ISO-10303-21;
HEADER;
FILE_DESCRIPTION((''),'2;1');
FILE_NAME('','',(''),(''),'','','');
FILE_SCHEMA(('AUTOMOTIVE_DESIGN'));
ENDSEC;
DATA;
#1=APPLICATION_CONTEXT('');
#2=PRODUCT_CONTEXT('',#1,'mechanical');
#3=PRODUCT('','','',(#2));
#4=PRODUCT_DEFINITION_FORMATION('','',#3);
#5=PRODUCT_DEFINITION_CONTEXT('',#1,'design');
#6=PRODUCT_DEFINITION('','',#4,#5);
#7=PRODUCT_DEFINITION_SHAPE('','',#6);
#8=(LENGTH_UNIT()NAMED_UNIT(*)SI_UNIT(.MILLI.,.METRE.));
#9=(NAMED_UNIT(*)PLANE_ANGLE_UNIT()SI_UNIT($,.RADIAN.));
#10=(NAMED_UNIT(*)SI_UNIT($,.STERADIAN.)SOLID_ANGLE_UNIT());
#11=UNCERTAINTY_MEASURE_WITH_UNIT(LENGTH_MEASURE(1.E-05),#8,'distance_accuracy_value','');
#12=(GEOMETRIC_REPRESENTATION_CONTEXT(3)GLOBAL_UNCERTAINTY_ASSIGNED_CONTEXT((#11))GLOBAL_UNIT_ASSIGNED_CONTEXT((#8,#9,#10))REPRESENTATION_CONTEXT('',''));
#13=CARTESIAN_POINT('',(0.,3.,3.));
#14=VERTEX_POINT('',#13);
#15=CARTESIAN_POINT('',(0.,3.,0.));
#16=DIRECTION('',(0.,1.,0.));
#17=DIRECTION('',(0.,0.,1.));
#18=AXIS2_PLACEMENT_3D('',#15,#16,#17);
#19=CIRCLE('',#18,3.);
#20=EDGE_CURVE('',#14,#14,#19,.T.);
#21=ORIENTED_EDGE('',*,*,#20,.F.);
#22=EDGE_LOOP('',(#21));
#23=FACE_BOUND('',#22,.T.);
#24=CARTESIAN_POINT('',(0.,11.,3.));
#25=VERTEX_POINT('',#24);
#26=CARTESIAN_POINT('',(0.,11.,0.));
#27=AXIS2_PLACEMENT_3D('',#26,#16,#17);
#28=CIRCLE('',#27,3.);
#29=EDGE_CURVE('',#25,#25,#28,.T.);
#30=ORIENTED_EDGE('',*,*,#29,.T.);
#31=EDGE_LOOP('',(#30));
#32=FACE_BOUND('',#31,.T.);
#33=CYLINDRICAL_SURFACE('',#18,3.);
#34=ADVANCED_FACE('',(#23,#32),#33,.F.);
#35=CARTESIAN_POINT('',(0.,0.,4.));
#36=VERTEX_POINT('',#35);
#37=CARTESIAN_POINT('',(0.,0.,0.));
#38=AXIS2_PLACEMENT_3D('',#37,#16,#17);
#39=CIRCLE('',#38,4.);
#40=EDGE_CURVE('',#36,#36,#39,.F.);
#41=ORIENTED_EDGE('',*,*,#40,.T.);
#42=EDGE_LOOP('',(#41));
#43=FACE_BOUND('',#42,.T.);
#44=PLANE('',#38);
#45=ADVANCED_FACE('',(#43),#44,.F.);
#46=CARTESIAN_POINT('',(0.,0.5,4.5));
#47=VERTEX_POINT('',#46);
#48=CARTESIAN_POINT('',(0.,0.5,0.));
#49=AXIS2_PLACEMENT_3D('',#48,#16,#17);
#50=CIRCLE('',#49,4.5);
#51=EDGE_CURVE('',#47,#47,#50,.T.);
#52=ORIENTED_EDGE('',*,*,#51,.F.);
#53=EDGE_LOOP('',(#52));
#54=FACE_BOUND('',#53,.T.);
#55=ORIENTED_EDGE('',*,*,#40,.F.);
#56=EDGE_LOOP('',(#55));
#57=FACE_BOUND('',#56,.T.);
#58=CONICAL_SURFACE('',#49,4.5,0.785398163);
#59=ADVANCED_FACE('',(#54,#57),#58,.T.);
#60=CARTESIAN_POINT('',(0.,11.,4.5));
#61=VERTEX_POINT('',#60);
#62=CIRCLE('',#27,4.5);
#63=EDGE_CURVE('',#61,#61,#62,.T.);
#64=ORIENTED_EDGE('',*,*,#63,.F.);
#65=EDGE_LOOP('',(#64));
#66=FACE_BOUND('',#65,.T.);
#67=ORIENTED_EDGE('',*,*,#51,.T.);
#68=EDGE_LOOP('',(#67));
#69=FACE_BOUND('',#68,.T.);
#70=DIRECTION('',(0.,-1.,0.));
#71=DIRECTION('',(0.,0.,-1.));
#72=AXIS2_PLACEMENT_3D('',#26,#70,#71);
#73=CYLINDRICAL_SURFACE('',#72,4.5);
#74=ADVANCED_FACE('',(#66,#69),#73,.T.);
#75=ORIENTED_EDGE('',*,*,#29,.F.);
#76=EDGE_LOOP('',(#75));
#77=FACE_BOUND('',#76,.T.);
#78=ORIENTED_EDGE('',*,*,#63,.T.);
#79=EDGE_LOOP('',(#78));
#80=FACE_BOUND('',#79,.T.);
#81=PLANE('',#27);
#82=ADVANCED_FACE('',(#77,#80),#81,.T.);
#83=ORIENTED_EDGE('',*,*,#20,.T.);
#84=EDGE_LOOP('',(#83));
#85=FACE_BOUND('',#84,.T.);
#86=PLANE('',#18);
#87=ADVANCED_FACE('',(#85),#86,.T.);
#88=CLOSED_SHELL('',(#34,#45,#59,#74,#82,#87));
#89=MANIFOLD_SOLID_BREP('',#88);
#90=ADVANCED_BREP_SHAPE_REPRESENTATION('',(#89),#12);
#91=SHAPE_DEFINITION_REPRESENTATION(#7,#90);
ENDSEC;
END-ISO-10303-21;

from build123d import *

# Parameters (mm, degrees)
SKETCH_1_R          = 4.5
EXTRUDE_1_DEPTH     = 11
SKETCH_2_R          = 3
CUT_EXTRUDE_1_DEPTH = 8
CHAMFER_1_SIZE      = 0.5


with BuildPart() as part:
    # 草图1 → 凸台-拉伸1 (new body)
    with BuildSketch(Plane(origin=(0, 0, 0), x_dir=(1, 0, 0), z_dir=(0, 1, 0))):
        with Locations(Location((0, 0, 0), (0, 0, 270))):
            Circle(SKETCH_1_R)
    extrude(amount=EXTRUDE_1_DEPTH)

    # 草图2 → 切除-拉伸1 (cut)
    with BuildSketch(Plane(origin=(0, 11, 0), x_dir=(1, 0, 0), z_dir=(0, 1, 0))):
        with Locations(Location((0, 0, 0), (0, 0, 270))):
            Circle(SKETCH_2_R)
    extrude(amount=-CUT_EXTRUDE_1_DEPTH, mode=Mode.SUBTRACT)

    # 倒角1
    chamfer_1_edges = [part.edges().sort_by_distance(p)[0] for p in [
        (0, 0, -4.5),
    ]]
    chamfer(chamfer_1_edges, length=CHAMFER_1_SIZE)


solid = part.part
